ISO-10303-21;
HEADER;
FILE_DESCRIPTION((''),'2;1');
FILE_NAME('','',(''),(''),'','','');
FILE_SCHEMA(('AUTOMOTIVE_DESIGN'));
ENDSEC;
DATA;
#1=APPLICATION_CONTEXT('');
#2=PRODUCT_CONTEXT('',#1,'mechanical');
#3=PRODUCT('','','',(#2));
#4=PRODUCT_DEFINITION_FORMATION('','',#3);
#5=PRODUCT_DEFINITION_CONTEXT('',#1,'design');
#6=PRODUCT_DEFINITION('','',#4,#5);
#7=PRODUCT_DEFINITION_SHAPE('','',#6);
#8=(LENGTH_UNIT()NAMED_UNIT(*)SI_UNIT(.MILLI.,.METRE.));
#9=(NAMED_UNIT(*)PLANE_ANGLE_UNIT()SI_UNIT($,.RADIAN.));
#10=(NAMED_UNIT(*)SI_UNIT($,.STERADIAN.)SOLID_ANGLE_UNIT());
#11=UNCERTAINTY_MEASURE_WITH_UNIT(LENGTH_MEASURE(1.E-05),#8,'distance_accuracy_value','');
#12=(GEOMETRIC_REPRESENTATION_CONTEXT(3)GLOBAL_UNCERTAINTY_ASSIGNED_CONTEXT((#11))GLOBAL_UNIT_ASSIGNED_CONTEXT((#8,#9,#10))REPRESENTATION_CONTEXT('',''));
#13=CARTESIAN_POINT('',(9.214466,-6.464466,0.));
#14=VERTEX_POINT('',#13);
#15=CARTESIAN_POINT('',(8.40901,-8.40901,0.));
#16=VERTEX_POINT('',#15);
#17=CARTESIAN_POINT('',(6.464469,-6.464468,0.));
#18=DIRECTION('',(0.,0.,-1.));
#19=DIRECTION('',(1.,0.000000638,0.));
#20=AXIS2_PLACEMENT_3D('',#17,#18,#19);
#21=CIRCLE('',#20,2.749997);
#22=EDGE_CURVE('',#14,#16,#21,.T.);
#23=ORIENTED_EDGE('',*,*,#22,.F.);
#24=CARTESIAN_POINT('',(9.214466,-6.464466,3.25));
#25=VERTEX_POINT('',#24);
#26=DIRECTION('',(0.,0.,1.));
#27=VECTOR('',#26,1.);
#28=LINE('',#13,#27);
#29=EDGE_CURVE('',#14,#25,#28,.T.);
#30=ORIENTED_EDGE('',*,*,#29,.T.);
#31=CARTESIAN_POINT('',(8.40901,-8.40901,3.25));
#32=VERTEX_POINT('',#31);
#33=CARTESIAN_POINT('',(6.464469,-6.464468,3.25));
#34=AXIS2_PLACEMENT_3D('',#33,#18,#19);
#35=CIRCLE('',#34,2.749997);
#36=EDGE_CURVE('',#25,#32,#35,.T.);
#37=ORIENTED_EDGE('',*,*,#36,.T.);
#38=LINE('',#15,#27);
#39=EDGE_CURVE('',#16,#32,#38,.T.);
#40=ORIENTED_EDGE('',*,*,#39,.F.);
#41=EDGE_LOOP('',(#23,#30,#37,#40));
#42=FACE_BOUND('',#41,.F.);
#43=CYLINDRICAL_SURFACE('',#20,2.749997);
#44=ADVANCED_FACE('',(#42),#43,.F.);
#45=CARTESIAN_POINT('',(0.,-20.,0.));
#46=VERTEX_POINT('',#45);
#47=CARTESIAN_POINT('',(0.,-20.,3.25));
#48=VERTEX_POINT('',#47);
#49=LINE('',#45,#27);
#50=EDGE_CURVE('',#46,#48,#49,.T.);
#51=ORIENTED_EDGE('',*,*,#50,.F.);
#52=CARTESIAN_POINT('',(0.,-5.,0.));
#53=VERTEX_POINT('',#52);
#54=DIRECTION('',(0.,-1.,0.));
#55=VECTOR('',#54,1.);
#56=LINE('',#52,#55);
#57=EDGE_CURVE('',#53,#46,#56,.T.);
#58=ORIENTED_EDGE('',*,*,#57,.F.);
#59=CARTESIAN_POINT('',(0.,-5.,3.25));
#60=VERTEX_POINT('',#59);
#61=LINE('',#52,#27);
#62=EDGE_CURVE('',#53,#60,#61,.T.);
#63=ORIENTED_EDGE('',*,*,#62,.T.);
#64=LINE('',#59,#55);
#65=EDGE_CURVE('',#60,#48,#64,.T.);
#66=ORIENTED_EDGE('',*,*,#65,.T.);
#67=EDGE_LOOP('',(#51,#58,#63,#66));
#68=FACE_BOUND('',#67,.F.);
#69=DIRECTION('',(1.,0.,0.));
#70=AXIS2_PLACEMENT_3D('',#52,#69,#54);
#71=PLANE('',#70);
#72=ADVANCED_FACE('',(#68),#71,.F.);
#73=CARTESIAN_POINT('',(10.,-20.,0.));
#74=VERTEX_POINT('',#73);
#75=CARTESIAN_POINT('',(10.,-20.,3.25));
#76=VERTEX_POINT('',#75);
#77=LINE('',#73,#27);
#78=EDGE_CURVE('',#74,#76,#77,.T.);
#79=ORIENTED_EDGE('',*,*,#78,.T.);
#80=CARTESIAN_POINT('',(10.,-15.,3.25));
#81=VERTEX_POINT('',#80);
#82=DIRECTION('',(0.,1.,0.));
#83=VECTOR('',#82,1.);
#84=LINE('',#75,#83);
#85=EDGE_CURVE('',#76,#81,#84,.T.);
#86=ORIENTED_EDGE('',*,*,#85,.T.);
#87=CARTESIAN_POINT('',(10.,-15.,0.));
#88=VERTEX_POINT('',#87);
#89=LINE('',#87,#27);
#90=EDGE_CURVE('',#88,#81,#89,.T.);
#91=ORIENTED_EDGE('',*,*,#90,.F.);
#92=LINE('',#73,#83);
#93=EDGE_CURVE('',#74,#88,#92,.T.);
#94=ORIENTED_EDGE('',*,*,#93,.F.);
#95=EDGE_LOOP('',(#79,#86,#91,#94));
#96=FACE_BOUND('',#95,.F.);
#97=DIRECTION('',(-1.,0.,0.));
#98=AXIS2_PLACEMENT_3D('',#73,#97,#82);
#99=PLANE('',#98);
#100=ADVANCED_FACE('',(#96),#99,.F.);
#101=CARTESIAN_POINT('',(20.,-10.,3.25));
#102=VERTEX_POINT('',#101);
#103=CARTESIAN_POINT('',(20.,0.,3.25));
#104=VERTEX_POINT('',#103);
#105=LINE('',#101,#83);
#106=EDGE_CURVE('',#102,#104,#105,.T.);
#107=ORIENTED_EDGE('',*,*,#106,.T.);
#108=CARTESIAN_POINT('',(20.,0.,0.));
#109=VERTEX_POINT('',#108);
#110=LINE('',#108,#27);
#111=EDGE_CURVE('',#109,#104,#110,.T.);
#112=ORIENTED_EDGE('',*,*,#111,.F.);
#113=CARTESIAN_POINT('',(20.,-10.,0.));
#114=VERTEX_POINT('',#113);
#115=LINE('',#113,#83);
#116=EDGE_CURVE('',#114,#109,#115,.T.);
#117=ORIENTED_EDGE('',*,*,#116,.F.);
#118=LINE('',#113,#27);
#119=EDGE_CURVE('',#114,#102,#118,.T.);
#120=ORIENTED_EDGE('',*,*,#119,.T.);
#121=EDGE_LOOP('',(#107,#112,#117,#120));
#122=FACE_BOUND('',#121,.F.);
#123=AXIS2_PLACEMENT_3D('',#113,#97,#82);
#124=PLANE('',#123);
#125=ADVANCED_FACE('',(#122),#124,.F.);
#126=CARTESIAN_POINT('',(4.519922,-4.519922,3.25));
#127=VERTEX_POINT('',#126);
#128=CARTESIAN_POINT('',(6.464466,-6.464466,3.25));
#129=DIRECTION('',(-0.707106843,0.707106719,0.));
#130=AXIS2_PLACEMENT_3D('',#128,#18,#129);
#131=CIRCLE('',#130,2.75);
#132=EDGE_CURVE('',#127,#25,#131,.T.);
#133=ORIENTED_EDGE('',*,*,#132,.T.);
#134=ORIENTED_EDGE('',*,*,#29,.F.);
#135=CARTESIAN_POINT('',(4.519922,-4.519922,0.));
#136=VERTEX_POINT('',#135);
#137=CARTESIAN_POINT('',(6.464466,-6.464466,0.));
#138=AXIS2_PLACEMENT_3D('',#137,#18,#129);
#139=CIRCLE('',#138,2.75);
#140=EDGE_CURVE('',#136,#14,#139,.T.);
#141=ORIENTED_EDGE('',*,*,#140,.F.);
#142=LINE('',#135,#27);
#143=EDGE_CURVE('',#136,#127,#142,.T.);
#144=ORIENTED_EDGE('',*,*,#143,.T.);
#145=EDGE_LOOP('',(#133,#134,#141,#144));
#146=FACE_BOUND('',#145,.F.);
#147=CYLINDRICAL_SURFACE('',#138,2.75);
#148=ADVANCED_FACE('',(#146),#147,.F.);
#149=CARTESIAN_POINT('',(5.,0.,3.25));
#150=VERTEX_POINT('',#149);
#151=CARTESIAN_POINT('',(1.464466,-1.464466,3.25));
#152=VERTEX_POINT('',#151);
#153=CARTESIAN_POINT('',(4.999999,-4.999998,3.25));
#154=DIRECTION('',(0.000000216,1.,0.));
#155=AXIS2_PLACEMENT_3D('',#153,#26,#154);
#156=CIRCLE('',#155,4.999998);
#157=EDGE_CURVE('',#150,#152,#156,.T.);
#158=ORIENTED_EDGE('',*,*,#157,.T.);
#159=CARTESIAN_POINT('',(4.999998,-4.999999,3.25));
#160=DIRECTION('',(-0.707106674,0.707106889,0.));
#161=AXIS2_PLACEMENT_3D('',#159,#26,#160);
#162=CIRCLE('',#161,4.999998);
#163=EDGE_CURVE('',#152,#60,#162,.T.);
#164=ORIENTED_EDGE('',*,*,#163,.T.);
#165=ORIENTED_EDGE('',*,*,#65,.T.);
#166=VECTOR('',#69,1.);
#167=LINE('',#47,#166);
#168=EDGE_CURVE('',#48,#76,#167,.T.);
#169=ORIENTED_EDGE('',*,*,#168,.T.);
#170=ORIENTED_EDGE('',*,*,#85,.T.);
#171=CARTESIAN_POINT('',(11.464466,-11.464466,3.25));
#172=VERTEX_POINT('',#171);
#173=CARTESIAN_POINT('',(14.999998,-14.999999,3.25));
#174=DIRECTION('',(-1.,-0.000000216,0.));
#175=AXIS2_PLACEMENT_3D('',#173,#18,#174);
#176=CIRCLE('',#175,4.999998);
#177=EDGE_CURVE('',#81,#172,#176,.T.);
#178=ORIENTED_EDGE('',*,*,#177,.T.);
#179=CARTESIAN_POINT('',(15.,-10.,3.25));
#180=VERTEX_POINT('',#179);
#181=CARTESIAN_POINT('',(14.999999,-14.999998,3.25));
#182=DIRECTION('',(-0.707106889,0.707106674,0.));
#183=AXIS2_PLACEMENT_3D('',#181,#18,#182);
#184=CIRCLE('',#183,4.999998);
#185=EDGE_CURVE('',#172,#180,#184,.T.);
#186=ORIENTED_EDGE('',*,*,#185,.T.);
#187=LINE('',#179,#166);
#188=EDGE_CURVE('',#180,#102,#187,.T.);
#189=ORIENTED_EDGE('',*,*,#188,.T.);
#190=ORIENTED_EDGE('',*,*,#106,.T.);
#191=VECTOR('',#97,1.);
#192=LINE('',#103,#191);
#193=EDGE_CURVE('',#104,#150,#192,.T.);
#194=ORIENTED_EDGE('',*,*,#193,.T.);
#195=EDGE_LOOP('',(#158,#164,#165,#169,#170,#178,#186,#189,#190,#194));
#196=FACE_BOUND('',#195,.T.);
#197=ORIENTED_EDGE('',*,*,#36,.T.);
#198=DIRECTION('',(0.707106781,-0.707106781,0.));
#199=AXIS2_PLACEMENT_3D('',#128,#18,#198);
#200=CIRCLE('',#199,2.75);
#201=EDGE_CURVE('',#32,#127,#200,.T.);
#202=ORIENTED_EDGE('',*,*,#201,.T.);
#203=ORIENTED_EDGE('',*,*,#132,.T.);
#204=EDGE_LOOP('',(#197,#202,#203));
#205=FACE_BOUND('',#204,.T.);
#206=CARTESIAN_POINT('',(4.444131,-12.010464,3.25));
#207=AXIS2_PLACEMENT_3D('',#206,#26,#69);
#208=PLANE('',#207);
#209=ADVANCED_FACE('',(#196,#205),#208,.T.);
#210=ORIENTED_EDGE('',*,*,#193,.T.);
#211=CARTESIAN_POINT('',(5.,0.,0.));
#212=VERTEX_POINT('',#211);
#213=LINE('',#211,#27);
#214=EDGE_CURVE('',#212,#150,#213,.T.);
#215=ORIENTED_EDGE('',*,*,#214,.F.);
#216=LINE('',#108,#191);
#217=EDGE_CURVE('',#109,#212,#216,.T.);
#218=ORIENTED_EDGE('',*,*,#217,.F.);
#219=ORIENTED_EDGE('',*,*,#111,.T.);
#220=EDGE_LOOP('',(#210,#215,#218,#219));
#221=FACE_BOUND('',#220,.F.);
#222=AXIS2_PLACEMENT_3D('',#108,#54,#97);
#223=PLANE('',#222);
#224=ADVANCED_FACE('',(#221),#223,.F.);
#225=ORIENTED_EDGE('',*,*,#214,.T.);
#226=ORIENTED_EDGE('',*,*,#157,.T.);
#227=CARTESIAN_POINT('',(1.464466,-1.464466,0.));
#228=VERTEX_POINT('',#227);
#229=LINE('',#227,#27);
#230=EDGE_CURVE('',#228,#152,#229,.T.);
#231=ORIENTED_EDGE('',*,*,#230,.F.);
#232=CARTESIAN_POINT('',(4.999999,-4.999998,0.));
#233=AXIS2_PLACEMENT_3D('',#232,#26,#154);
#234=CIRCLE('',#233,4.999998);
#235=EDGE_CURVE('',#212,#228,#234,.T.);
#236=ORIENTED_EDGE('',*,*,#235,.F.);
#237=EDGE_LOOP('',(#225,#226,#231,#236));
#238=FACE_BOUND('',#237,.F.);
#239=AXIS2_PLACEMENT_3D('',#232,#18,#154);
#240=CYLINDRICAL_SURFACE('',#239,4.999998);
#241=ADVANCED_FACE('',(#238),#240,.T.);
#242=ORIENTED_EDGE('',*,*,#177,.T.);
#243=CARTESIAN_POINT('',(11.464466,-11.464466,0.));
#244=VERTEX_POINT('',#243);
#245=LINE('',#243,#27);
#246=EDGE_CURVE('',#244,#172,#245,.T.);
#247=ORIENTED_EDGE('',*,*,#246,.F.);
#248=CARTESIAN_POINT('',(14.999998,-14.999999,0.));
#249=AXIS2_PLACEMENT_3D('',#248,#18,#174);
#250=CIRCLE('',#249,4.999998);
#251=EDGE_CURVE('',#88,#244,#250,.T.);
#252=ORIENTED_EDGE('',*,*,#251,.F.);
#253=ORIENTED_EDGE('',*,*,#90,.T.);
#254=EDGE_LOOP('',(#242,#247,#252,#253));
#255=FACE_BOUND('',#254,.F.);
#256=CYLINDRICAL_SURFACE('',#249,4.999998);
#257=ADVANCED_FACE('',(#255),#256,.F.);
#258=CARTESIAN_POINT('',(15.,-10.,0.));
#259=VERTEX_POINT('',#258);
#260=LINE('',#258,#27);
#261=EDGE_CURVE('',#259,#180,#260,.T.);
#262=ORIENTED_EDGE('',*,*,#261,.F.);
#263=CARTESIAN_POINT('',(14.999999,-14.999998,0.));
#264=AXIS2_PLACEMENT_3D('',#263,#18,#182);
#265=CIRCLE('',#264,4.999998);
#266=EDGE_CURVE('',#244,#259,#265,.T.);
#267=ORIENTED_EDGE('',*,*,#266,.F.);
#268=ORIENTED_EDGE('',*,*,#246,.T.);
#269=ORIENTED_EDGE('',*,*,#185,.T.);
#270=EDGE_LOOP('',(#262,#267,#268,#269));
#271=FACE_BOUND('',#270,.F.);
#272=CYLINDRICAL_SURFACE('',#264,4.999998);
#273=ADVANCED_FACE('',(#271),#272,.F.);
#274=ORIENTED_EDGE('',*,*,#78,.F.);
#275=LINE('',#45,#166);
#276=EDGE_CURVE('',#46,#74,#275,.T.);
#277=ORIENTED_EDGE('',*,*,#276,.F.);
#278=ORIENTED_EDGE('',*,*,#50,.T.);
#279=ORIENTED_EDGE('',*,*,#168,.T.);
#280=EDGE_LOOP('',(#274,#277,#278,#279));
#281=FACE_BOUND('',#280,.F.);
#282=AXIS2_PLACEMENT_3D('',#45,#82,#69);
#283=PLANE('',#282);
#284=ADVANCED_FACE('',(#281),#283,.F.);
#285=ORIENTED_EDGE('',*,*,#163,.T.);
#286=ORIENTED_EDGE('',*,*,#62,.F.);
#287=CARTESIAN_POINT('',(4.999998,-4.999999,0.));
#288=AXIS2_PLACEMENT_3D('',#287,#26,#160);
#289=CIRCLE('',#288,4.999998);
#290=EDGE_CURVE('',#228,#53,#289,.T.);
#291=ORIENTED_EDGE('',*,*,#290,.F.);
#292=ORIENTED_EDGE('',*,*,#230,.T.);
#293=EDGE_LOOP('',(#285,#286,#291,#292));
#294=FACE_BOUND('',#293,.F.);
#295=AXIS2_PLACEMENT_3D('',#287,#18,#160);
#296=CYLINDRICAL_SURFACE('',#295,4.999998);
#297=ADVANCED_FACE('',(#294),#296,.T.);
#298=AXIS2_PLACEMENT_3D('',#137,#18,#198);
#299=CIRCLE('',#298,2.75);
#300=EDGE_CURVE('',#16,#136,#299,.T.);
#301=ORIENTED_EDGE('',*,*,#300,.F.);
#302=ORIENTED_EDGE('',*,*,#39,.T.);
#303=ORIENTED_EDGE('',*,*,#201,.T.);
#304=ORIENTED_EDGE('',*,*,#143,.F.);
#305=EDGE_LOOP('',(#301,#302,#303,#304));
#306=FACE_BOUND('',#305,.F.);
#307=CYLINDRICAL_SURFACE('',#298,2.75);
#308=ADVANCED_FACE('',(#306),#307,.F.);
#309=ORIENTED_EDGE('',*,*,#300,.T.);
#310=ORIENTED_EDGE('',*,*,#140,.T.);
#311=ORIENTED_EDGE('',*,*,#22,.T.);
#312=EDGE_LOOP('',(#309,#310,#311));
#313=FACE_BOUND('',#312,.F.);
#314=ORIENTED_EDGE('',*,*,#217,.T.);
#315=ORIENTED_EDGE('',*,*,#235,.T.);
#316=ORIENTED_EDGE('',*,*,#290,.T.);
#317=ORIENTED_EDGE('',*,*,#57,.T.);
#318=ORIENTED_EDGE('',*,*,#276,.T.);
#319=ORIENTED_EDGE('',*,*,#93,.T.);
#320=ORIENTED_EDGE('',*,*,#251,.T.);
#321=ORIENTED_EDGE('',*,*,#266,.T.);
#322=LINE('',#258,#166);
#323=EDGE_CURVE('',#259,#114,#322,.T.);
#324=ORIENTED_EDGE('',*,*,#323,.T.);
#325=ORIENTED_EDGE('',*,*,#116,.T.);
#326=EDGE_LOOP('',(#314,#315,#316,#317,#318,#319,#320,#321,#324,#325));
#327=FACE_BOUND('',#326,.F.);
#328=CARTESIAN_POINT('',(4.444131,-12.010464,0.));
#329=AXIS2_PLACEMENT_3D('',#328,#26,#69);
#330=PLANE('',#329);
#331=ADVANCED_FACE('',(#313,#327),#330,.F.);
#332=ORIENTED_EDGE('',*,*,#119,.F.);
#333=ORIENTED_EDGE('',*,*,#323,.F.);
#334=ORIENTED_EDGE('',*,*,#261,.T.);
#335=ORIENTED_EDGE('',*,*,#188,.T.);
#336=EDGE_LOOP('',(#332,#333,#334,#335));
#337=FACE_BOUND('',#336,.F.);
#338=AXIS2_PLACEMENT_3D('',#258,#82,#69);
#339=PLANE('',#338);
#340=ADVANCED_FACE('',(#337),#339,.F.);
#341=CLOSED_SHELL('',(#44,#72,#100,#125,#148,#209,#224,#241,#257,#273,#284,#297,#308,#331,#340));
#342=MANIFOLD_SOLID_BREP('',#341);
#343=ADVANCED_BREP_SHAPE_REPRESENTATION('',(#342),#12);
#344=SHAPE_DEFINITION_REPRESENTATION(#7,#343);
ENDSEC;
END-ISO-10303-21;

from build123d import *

# Parameters (mm, degrees)
F1_DEPTH = 3.25


with BuildPart() as f1:
    # F0 (on Top) → F1 (new body)
    with BuildSketch(Plane.XY):
        with BuildLine():
            Line((4.519922, -4.519922), (1.464466, -1.464466))
            ThreePointArc((1.464466, -1.464466), (0.380602, -3.086583), (0, -5))
            Line((0, -5), (0, -20))
            Line((0, -20), (10, -20))
            Line((10, -20), (10, -15))
            ThreePointArc((10, -15), (10.380602, -13.086583), (11.464466, -11.464466))
            Line((11.464466, -11.464466), (8.40901, -8.40901))
            ThreePointArc((8.40901, -8.40901), (4.519922, -8.40901), (4.519922, -4.519922))
        make_face()
        with BuildLine():
            Line((20, 0), (5, 0))
            ThreePointArc((5, 0), (3.086583, -0.380602), (1.464466, -1.464466))
            Line((1.464466, -1.464466), (4.519922, -4.519922))
            ThreePointArc((4.519922, -4.519922), (7.516846, -3.923797), (9.214466, -6.464466))
            ThreePointArc((9.214466, -6.464466), (9.005135, -7.516846), (8.40901, -8.40901))
            Line((8.40901, -8.40901), (11.464466, -11.464466))
            ThreePointArc((11.464466, -11.464466), (13.086583, -10.380602), (15, -10))
            Line((15, -10), (20, -10))
            Line((20, -10), (20, 0))
        make_face()
    extrude(amount=F1_DEPTH)


solid = f1.part
